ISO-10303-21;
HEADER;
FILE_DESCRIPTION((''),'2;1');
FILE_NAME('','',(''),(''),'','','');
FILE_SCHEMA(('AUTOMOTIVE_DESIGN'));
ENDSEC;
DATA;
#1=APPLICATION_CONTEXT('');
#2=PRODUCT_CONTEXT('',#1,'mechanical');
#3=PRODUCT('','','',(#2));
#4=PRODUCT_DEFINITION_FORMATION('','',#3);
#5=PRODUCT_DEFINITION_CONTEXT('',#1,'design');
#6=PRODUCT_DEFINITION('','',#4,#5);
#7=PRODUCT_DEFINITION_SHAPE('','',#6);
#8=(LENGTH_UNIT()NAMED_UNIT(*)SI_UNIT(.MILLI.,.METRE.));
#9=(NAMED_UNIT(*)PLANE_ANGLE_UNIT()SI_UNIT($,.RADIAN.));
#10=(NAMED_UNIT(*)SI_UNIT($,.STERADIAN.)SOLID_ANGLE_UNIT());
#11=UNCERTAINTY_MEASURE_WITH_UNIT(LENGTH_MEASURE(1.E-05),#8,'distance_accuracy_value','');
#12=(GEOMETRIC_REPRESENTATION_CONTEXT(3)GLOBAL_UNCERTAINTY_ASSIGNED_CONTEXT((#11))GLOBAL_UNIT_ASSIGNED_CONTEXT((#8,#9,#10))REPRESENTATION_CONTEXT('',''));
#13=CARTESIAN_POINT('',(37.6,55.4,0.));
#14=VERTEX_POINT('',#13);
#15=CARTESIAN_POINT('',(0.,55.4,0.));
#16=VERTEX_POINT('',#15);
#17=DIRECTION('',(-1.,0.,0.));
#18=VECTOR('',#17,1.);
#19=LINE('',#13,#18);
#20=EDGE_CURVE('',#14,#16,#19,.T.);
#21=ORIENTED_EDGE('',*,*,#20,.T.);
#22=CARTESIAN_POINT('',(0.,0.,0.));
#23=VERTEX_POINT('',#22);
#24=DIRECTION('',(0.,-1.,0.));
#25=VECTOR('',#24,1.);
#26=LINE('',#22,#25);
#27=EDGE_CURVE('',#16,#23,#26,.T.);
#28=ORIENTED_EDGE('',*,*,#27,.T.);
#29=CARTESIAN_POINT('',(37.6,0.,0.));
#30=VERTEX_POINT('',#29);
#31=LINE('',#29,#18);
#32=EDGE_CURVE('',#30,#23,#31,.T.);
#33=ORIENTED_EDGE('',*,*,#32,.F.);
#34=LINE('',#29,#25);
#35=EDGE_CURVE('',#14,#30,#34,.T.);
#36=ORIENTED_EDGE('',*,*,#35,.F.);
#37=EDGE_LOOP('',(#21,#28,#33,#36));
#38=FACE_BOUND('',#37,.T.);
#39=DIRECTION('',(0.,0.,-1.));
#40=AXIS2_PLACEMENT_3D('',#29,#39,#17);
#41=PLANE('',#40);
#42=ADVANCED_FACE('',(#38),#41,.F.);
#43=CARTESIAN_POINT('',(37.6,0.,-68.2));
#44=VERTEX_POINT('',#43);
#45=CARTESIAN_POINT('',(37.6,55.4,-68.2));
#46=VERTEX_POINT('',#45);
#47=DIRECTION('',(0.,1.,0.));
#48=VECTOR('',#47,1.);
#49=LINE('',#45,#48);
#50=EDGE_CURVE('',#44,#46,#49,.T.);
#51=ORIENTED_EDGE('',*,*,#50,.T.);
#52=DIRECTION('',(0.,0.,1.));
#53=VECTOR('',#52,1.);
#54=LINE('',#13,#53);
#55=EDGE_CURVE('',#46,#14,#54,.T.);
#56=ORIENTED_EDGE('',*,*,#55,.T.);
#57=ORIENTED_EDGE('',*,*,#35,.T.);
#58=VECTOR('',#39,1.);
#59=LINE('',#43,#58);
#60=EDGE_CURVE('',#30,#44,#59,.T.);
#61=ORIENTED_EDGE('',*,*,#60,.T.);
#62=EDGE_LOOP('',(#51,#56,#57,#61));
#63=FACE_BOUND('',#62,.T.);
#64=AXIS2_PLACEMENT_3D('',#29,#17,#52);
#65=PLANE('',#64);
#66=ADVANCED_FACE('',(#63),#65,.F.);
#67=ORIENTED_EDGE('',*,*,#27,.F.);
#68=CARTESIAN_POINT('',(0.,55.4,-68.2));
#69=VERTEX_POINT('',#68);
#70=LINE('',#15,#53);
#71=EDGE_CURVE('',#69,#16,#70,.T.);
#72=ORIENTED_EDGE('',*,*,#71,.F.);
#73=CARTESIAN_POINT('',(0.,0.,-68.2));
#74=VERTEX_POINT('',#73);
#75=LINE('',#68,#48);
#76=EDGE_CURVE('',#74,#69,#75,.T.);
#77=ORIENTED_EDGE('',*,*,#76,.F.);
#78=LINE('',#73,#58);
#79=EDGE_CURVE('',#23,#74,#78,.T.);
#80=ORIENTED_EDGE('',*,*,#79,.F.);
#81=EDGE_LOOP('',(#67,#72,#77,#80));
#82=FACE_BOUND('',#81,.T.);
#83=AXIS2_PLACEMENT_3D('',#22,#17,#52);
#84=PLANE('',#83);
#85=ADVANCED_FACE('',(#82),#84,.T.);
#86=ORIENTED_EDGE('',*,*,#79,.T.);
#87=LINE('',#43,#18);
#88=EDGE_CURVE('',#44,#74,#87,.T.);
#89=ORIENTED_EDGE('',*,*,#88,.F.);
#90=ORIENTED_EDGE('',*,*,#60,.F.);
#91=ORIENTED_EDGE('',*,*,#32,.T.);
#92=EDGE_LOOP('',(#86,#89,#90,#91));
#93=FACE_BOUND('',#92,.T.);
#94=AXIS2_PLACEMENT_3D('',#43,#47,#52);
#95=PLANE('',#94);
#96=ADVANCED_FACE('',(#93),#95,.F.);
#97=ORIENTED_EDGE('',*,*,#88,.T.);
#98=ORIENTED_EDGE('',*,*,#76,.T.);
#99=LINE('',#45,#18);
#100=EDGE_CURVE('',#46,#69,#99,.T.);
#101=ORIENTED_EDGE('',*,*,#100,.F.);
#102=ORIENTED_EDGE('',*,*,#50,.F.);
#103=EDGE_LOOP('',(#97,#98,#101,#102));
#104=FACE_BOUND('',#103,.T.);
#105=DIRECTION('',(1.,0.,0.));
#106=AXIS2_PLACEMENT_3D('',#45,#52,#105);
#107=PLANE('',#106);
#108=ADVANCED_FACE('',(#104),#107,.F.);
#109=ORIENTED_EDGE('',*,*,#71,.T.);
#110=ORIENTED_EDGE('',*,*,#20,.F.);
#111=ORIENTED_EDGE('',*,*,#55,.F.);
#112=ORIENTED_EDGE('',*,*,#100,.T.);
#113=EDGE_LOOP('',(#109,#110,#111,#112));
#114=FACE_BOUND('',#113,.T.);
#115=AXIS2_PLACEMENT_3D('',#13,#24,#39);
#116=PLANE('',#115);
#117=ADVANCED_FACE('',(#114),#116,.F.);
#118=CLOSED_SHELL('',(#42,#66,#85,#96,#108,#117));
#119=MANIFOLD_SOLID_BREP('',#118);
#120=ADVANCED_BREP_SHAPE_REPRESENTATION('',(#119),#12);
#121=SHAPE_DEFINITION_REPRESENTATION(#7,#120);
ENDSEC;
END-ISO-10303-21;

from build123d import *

# Parameters (mm, degrees)
SKETCH_1_W      = 68.2
SKETCH_1_H      = 55.4
EXTRUDE_1_DEPTH = 37.6


with BuildPart() as part:
    # 草图1 → 凸台-拉伸1 (new body)
    with BuildSketch(Plane(origin=(0, 0, 0), x_dir=(0, 0, -1), z_dir=(1, 0, 0))):
        with Locations((34.1, 27.7)):
            Rectangle(SKETCH_1_W, SKETCH_1_H)
    extrude(amount=EXTRUDE_1_DEPTH)


solid = part.part
